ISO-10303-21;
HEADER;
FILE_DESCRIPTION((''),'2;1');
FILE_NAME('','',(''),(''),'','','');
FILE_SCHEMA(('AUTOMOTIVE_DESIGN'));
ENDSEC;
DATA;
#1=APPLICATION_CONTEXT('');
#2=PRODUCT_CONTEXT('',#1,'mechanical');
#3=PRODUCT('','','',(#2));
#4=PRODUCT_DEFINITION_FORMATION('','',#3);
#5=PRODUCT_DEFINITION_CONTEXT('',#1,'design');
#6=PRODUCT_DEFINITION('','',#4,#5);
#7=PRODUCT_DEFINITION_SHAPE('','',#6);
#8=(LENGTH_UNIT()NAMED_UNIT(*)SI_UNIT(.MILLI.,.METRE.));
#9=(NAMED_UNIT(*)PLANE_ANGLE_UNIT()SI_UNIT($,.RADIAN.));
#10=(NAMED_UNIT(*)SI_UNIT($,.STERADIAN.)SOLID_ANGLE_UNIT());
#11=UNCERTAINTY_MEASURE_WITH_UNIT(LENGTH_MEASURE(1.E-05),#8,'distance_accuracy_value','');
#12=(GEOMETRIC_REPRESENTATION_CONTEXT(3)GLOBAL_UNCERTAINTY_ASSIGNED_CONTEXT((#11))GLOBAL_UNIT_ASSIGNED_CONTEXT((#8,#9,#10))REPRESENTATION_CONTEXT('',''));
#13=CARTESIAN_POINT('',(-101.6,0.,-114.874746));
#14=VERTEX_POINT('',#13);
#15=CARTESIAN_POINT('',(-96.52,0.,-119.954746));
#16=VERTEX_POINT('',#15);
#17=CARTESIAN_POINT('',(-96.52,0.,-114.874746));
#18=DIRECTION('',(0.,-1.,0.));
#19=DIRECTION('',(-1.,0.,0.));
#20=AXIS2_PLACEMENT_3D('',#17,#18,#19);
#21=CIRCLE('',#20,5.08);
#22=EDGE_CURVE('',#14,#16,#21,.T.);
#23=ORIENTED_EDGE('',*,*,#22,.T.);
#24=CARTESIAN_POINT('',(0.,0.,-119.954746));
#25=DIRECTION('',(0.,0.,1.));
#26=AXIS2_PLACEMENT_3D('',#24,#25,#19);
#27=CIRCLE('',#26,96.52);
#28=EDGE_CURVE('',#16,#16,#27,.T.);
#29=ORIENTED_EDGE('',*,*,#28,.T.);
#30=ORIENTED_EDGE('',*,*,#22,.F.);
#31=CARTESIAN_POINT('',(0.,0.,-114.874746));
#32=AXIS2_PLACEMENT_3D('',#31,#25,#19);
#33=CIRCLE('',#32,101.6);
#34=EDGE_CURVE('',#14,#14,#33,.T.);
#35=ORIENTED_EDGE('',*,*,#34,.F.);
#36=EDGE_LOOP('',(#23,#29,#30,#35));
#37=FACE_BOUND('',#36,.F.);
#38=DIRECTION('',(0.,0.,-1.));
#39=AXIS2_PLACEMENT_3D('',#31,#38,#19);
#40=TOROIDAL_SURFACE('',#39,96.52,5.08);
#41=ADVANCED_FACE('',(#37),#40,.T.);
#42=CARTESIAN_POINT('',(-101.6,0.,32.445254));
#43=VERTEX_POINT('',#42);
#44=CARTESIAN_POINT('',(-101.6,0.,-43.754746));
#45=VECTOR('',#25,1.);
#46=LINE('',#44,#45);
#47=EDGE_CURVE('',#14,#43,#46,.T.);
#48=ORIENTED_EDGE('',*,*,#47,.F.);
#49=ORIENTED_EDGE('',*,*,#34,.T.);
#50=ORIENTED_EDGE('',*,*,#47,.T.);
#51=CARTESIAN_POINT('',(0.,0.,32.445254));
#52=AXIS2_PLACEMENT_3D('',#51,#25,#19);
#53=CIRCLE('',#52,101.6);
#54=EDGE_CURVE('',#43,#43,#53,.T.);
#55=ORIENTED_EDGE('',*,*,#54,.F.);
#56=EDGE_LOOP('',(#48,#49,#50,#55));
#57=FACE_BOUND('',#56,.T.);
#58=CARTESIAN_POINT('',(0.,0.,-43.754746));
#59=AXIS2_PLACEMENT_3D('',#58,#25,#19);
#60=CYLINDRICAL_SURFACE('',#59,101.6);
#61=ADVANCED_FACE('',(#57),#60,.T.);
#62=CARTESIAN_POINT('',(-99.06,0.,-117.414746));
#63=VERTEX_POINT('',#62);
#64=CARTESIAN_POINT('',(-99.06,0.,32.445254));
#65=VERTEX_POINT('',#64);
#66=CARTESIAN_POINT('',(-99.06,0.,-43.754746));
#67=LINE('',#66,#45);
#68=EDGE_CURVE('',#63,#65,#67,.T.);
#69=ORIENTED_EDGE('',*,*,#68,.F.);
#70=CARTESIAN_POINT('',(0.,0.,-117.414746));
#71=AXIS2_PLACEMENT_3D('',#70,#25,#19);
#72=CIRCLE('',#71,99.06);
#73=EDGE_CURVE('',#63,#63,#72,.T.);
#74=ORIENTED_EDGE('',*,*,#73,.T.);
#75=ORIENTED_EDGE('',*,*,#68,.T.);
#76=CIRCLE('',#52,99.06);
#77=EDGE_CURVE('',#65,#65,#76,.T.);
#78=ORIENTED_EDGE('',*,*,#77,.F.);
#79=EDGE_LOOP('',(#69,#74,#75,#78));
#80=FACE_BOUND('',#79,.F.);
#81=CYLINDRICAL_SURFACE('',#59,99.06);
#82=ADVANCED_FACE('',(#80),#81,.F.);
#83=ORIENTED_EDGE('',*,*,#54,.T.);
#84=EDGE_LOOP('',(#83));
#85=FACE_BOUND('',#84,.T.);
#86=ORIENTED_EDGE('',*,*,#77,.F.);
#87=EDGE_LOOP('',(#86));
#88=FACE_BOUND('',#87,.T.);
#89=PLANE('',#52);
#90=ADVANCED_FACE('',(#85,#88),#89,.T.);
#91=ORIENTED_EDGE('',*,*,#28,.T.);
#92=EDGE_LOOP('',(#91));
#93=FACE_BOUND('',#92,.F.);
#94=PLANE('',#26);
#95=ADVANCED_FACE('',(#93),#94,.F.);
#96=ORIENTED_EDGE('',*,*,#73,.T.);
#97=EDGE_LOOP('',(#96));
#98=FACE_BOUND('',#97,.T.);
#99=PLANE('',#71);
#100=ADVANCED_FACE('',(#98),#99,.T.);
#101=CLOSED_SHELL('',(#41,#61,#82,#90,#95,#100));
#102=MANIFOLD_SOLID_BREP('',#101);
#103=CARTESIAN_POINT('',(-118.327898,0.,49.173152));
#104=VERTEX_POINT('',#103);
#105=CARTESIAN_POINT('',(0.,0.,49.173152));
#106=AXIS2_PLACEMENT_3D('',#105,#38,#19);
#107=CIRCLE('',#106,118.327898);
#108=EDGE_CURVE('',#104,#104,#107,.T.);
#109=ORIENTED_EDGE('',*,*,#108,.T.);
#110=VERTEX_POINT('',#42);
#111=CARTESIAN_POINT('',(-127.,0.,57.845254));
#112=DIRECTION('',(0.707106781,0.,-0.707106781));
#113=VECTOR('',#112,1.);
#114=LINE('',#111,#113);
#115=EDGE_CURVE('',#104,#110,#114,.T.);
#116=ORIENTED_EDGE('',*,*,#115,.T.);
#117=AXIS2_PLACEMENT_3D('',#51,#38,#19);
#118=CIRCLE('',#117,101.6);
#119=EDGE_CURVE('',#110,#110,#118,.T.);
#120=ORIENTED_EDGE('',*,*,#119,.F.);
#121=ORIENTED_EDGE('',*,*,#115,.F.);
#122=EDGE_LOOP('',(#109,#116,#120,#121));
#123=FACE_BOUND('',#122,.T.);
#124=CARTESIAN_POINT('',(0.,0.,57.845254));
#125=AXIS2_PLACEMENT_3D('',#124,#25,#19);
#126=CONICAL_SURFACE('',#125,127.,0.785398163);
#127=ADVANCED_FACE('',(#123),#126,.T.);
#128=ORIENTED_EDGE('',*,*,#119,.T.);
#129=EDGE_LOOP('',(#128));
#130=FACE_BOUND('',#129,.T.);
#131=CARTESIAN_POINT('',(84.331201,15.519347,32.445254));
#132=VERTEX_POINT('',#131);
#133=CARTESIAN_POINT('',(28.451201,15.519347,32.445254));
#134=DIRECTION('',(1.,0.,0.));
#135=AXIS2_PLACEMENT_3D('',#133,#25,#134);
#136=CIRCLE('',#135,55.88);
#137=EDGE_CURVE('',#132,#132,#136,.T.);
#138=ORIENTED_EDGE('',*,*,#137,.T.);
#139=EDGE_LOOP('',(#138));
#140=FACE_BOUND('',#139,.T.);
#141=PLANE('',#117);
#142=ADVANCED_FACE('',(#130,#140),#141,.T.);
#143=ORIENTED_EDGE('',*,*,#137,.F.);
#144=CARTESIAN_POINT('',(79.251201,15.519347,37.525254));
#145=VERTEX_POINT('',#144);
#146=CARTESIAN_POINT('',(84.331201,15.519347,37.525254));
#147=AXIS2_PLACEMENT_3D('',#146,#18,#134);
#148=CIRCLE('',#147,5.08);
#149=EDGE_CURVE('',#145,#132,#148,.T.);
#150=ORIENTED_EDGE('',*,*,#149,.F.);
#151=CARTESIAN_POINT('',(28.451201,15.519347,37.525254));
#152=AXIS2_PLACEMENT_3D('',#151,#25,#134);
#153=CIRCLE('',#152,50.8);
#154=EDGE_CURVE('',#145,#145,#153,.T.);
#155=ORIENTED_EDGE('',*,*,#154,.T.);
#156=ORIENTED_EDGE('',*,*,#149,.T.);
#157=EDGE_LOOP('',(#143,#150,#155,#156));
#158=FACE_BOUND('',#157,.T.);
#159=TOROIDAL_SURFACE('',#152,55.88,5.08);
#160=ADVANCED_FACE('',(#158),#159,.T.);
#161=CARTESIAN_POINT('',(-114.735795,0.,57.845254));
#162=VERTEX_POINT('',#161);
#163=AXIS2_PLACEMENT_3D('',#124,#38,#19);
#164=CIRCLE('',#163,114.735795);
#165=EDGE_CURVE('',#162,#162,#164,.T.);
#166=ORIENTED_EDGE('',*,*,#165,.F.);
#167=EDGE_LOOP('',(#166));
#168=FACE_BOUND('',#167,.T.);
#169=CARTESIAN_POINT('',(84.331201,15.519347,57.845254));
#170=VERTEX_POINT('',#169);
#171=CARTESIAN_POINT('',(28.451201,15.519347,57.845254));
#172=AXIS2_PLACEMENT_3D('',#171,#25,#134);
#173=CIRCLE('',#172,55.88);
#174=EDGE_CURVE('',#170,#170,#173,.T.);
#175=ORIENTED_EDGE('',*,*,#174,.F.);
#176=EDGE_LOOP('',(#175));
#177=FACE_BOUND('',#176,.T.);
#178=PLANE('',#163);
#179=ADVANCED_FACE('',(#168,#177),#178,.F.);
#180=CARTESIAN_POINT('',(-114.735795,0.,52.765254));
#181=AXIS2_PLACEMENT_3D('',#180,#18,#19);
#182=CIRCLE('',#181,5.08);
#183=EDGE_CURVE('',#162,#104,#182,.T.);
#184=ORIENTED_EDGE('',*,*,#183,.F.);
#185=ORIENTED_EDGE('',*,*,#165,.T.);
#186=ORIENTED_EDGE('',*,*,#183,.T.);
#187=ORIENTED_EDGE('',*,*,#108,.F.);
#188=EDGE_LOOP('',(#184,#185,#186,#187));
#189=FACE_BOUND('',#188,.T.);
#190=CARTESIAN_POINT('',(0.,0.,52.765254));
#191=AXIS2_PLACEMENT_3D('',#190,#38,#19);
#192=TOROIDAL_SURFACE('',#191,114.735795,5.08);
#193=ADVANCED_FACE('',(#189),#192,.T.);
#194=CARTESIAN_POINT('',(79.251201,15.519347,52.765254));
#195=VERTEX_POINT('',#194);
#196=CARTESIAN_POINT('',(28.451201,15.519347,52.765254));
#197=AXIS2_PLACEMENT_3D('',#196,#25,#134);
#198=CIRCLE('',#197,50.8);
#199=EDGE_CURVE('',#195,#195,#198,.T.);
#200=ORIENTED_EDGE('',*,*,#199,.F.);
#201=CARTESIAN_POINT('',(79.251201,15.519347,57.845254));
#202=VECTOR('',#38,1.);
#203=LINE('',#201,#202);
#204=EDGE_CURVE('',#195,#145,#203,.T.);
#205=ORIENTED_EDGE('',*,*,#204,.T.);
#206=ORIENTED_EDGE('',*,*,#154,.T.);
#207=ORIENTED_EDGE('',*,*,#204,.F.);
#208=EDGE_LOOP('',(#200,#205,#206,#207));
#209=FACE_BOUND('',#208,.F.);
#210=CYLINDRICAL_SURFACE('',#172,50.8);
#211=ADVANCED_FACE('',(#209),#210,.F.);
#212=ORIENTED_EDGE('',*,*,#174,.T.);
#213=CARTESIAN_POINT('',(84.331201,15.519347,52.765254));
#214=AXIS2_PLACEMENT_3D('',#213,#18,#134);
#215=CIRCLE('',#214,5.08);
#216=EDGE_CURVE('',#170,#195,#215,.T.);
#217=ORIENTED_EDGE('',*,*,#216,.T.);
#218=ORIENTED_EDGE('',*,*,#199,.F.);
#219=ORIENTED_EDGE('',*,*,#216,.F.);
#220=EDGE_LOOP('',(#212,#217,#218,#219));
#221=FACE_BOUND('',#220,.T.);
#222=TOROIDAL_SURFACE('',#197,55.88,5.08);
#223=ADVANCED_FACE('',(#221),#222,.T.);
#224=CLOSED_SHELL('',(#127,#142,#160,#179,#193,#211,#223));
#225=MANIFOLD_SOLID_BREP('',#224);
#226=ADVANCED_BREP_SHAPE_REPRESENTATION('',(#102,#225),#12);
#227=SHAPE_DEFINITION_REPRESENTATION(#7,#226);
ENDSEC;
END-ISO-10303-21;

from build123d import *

# Parameters (mm, degrees)
F2_R     = 50.8
F3_DEPTH = 31.496
F4_W     = 101.6
F4_H     = 152.4
F6_T     = -2.54
F7_R     = 5.08
F7_2_R   = 5.08
F8_R     = 5.08


with BuildPart() as f1:
    # F0 (on Front) → F1 (revolve)
    with BuildSketch(Plane.XZ):
        Polygon((0, 57.8452544079), (-127, 57.8452544079), (-101.6, 32.4452544079), (0, 32.4452544079), align=None)
    revolve(axis=Axis((0, 0, 45.1452544079), (0, 0, -1)))

    # F2 (on face) → F3 (cut)
    with BuildSketch(Plane.XY.offset(57.8452544079)):
        with Locations((28.4512005746, 15.5193470418)):
            Circle(F2_R)
    extrude(amount=-F3_DEPTH, mode=Mode.SUBTRACT)

    # F7
    f7_edges = [f1.edges().sort_by_distance(p)[0] for p in [
        (127, 0, 57.845254),
        (-22.348799, 15.519347, 57.845254),
    ]]
    fillet(f7_edges, radius=F7_R)

    # F8
    f8_edges = [f1.edges().sort_by_distance(p)[0] for p in [
        (79.251201, 15.519347, 42.605254),
        (-22.348799, 15.519347, 52.765254),
        (-22.348799, 15.519347, 32.445254),
    ]]
    fillet(f8_edges, radius=F8_R)


with BuildPart() as f5:
    # F4 (on Front) → F5 (revolve)
    with BuildSketch(Plane.XZ):
        with Locations((-50.8, -43.7547455921)):
            Rectangle(F4_W, F4_H)
    revolve(axis=Axis((0, 0, -43.7547455921), (0, 0, 1)))

    # F6
    f6_openings = [f5.faces().sort_by_distance(p)[0] for p in [
        (0, 0, 32.445254),
    ]]
    offset(amount=F6_T, openings=f6_openings)

    # F7#2
    f7_2_edges = [f5.edges().sort_by_distance(p)[0] for p in [
        (101.6, 0, -119.954746),
    ]]
    fillet(f7_2_edges, radius=F7_2_R)


solid = Compound([f1.part, f5.part])
